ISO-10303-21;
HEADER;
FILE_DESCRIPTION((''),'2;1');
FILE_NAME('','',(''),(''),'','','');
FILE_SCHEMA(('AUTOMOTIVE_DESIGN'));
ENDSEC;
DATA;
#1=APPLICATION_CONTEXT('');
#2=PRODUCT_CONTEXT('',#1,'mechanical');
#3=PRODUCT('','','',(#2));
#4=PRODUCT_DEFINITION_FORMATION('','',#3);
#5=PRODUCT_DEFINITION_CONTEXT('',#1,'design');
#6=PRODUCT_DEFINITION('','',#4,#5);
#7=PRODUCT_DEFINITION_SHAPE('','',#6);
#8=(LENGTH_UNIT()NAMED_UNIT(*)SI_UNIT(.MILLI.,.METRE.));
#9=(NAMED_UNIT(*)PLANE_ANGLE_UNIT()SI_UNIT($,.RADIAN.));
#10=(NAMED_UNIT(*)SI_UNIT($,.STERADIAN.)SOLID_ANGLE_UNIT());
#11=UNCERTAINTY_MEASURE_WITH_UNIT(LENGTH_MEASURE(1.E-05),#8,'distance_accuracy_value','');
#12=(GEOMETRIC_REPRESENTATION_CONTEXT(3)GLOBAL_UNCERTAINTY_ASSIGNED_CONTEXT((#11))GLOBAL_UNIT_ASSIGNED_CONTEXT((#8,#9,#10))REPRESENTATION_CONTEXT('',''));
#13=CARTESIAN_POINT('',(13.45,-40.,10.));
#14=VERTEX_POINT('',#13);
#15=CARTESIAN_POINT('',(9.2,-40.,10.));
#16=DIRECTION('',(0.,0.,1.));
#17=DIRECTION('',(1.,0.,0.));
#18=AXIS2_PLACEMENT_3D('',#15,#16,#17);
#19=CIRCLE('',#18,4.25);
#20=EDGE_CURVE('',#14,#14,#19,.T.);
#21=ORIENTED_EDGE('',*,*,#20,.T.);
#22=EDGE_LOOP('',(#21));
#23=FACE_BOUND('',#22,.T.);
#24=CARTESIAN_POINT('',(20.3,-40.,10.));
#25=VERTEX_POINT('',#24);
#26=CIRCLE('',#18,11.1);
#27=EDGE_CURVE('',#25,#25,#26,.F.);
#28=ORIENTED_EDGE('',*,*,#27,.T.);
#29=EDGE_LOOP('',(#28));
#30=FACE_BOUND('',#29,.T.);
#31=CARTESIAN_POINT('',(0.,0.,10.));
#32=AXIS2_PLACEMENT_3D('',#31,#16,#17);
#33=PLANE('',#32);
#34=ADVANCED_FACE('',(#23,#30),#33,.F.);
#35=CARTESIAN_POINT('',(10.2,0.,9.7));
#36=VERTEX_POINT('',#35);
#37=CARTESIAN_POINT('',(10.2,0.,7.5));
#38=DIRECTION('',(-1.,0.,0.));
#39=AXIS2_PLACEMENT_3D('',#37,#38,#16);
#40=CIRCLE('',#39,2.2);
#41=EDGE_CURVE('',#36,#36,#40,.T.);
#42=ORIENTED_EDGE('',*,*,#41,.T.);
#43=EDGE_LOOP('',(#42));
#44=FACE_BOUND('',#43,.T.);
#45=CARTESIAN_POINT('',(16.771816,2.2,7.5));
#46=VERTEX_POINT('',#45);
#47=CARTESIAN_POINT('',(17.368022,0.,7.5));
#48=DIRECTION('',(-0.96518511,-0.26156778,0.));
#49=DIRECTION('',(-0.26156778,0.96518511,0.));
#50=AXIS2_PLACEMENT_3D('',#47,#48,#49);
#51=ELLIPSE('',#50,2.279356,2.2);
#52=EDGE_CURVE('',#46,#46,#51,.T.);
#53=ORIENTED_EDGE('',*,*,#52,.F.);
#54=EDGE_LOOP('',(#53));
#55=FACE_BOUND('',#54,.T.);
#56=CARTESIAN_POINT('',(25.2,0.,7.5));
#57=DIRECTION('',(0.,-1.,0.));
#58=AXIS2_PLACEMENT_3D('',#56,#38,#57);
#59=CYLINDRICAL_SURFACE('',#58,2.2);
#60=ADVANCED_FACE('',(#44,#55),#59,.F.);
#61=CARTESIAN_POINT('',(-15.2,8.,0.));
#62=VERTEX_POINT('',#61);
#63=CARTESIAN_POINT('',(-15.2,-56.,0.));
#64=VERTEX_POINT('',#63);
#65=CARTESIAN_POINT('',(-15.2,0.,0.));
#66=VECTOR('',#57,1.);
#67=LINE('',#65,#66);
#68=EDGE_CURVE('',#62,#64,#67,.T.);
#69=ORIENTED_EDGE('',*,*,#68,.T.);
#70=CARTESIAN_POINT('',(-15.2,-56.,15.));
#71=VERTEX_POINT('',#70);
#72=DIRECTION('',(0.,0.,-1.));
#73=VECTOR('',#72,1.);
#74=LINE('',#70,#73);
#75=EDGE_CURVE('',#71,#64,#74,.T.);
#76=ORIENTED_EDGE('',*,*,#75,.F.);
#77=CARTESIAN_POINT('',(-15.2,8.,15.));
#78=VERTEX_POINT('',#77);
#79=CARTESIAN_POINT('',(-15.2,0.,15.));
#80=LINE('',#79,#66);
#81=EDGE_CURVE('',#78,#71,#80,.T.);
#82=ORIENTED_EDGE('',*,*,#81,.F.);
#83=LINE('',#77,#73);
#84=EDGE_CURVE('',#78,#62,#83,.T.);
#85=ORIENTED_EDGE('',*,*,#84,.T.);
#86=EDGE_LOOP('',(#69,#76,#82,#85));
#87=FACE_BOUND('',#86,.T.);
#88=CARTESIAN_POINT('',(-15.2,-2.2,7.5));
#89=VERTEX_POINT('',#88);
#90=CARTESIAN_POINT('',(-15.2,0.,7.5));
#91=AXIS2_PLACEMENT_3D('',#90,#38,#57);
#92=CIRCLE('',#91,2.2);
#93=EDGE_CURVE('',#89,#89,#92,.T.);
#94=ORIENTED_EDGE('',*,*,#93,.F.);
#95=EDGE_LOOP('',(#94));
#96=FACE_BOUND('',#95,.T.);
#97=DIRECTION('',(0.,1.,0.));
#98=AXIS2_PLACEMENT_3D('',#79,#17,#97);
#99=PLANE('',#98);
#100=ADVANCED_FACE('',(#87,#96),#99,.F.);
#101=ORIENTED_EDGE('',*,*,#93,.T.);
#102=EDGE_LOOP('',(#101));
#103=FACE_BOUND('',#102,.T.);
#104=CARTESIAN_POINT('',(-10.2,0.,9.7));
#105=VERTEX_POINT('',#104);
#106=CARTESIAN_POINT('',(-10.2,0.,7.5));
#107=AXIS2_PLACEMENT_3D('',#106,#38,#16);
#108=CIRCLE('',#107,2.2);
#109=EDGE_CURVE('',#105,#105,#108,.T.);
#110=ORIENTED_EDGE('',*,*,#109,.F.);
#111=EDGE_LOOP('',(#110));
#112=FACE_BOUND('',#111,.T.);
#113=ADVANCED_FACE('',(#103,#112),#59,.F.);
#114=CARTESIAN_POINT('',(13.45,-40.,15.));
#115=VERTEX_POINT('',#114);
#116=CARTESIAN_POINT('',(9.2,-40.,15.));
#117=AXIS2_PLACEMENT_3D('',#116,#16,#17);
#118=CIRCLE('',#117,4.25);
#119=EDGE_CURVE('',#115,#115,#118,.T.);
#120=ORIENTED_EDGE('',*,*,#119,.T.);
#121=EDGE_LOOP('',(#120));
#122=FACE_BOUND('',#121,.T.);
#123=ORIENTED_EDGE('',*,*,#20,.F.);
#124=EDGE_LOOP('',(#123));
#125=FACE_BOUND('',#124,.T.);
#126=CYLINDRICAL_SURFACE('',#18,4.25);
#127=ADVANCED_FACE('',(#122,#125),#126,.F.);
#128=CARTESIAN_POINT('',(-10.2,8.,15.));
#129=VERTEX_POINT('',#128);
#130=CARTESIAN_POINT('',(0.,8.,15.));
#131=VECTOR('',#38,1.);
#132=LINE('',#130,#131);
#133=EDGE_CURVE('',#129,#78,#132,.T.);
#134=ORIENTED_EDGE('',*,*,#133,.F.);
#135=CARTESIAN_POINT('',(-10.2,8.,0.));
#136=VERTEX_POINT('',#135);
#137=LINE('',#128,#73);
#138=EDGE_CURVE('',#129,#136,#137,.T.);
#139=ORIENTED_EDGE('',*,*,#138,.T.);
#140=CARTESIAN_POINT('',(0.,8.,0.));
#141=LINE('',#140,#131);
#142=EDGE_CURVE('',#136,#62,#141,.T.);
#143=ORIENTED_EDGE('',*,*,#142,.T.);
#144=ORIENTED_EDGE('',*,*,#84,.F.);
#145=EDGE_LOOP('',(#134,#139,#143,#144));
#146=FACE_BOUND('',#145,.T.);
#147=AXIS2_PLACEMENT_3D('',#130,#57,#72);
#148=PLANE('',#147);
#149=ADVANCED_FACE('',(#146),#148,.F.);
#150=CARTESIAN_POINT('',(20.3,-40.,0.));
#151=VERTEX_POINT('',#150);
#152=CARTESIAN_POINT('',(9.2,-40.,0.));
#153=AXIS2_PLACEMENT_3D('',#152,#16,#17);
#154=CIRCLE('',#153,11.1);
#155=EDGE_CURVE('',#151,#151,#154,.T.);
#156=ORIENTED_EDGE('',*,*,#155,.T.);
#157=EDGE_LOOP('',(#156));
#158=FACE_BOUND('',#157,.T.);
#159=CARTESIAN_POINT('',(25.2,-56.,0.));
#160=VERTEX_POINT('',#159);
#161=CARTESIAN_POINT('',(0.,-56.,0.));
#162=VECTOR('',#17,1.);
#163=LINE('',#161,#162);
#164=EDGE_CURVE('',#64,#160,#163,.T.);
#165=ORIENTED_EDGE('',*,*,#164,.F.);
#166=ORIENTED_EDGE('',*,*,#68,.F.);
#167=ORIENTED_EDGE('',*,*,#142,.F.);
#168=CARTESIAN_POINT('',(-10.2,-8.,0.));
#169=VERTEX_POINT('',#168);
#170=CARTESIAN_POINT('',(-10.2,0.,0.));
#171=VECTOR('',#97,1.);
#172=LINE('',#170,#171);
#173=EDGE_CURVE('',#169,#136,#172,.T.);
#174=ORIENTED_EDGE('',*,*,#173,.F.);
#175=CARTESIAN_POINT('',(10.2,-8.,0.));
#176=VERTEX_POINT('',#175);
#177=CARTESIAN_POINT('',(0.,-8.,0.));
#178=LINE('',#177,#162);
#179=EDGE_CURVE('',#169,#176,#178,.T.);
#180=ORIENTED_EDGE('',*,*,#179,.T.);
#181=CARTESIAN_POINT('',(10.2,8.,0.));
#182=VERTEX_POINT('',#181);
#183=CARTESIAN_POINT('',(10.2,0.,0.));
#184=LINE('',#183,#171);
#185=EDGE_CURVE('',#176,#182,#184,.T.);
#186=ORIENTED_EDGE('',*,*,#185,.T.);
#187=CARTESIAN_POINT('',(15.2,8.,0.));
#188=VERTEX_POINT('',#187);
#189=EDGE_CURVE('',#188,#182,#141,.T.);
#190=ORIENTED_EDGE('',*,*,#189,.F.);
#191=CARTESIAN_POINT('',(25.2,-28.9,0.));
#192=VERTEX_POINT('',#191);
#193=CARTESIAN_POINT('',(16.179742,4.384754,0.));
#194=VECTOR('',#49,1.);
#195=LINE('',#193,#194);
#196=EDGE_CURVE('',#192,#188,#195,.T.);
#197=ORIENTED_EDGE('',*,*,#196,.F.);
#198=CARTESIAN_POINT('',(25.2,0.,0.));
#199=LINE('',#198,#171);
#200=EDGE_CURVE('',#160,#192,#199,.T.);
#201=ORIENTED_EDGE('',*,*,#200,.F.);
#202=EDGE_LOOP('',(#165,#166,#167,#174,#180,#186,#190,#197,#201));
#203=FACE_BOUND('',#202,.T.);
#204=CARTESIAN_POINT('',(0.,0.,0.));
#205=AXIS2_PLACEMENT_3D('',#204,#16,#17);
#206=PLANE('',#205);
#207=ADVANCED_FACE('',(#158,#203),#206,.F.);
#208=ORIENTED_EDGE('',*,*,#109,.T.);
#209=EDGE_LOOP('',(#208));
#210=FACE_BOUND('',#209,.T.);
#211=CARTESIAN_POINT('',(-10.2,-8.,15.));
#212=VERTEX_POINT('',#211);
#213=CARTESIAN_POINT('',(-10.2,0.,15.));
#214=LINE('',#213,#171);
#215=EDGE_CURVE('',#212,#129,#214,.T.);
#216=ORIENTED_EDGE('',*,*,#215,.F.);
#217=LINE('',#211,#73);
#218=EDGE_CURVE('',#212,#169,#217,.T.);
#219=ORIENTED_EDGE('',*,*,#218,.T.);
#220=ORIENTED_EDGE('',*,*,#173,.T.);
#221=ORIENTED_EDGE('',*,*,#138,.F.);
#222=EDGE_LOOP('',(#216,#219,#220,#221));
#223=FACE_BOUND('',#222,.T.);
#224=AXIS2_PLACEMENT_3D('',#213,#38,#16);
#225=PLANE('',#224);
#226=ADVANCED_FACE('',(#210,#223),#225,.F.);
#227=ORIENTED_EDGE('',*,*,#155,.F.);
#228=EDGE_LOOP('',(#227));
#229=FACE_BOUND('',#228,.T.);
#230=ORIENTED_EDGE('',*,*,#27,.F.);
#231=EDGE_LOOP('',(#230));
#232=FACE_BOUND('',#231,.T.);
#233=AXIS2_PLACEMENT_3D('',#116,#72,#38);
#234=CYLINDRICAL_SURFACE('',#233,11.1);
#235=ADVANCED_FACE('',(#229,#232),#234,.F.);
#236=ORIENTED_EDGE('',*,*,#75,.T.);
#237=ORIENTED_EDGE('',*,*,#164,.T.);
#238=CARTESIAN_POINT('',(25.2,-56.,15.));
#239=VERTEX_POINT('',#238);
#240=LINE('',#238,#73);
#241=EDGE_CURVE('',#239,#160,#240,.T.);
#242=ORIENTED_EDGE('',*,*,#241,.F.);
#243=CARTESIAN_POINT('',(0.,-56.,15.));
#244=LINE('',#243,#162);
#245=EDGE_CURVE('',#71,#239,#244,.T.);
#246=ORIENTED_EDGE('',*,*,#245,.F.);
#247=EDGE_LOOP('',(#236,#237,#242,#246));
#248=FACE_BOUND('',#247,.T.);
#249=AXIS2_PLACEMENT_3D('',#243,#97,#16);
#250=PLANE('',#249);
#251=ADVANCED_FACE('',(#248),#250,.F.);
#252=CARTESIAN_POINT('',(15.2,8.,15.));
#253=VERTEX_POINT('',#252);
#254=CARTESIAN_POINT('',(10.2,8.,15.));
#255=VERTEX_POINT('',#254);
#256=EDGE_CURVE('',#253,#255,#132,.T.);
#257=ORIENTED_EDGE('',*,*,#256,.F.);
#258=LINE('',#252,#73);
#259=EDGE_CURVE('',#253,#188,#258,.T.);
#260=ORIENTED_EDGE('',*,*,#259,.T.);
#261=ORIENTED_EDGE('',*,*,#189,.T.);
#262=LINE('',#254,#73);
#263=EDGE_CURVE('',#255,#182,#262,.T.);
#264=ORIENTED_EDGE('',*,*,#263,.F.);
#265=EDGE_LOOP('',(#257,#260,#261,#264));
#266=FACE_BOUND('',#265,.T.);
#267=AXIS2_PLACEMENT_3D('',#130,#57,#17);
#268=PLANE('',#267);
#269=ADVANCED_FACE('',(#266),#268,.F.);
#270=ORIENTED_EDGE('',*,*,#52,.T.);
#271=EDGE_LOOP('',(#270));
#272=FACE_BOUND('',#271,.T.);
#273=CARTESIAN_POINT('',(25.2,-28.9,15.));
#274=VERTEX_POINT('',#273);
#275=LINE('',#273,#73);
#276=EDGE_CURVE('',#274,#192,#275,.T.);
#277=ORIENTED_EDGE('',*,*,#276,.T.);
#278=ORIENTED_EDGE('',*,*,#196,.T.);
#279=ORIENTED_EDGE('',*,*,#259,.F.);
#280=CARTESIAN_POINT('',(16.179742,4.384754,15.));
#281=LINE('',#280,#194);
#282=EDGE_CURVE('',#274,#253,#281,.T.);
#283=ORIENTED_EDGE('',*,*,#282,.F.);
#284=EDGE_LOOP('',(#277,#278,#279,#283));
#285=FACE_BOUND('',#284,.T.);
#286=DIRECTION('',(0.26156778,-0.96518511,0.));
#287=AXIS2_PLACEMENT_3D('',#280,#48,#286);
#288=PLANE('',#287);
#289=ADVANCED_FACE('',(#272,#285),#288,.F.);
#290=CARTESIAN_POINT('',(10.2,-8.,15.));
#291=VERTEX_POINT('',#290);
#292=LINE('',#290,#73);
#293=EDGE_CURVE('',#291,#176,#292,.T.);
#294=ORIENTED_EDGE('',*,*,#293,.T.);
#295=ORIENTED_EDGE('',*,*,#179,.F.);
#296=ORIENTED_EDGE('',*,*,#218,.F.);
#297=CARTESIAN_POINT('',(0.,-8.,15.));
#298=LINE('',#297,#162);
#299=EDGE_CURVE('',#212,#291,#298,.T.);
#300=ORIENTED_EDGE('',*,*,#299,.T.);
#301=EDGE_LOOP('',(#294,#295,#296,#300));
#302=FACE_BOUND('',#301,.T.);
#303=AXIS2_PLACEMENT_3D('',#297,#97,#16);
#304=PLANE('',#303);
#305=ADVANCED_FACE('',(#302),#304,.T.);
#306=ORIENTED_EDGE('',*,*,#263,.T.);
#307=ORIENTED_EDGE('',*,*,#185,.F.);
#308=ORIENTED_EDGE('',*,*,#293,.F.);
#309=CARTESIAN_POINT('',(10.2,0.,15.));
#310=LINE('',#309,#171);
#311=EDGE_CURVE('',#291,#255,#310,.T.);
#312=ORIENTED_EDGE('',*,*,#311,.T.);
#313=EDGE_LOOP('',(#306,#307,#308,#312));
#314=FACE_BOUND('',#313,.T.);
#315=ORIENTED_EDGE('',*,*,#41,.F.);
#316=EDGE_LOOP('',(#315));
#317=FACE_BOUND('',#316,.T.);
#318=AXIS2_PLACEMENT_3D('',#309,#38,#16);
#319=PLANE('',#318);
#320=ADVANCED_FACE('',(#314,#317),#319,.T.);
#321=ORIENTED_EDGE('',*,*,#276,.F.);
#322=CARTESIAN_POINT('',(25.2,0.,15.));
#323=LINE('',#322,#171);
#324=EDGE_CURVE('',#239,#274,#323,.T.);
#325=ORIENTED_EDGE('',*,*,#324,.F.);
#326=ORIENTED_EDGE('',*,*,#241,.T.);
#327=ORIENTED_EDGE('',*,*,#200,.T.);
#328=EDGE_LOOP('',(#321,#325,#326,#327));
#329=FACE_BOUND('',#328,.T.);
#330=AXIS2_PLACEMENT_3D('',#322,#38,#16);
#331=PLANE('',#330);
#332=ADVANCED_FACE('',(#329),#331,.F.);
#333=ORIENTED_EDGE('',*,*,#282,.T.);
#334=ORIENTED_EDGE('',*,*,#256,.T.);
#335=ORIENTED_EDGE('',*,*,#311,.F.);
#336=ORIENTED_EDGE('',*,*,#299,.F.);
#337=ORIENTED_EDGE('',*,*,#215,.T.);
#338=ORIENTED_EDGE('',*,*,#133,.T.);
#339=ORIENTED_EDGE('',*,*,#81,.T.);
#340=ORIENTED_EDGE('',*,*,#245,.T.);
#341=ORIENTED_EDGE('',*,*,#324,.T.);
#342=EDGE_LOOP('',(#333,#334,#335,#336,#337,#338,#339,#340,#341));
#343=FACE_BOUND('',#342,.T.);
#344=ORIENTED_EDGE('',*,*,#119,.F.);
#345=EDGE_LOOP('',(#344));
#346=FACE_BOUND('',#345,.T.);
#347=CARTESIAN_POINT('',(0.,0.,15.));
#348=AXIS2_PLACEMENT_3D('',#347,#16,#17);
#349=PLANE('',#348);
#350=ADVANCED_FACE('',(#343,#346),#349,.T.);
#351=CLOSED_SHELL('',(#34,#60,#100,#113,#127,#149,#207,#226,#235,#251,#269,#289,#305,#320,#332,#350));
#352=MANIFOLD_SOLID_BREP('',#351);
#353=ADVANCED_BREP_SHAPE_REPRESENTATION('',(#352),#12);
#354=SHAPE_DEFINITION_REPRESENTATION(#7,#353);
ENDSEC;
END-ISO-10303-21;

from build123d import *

# Parameters (mm, degrees)
SZKIC1_R                    = 11.1
DODANIE_WYCI_GNI_CIE1_DEPTH = 15
DODANIE_WYCI_GNI_CIE2_START = -5
SZKIC2_R                    = 11.1
SZKIC2_R_2                  = 4.25
DODANIE_WYCI_GNI_CIE2_DEPTH = 5
SZKIC3_R                    = 2.2
WYTNIJ_WYCI_GNI_CIE1_DEPTH  = 71.662295462


with BuildPart() as part:
    # Szkic1 → Dodanie-wyciągnięcie1 (new body)
    with BuildSketch(Plane.XY):
        Polygon((25.2, -56), (25.2, -28.9), (15.2, 8), (10.2, 8), (10.2, -8), (-10.2, -8), (-10.2, 8), (-15.2, 8), (-15.2, -56), align=None)
        with Locations((9.2, -40)):
            Circle(SZKIC1_R, mode=Mode.SUBTRACT)
    extrude(amount=DODANIE_WYCI_GNI_CIE1_DEPTH)

    # Szkic2 → Dodanie-wyciągnięcie2 (add)
    with BuildSketch(Plane.XY.offset(15).offset(DODANIE_WYCI_GNI_CIE2_START)):
        with Locations((9.2, -40)):
            Circle(SZKIC2_R)
        with Locations((9.2, -40)):
            Circle(SZKIC2_R_2, mode=Mode.SUBTRACT)
    extrude(amount=DODANIE_WYCI_GNI_CIE2_DEPTH)

    # Szkic3 → Wytnij-wyciągnięcie1 (cut, through all)
    with BuildSketch(Plane.ZY.offset(15.2)):
        with Locations(Location((7.5, 0, 0), (0, 0, 270))):
            Circle(SZKIC3_R)
    extrude(amount=-WYTNIJ_WYCI_GNI_CIE1_DEPTH, mode=Mode.SUBTRACT)


solid = part.part
